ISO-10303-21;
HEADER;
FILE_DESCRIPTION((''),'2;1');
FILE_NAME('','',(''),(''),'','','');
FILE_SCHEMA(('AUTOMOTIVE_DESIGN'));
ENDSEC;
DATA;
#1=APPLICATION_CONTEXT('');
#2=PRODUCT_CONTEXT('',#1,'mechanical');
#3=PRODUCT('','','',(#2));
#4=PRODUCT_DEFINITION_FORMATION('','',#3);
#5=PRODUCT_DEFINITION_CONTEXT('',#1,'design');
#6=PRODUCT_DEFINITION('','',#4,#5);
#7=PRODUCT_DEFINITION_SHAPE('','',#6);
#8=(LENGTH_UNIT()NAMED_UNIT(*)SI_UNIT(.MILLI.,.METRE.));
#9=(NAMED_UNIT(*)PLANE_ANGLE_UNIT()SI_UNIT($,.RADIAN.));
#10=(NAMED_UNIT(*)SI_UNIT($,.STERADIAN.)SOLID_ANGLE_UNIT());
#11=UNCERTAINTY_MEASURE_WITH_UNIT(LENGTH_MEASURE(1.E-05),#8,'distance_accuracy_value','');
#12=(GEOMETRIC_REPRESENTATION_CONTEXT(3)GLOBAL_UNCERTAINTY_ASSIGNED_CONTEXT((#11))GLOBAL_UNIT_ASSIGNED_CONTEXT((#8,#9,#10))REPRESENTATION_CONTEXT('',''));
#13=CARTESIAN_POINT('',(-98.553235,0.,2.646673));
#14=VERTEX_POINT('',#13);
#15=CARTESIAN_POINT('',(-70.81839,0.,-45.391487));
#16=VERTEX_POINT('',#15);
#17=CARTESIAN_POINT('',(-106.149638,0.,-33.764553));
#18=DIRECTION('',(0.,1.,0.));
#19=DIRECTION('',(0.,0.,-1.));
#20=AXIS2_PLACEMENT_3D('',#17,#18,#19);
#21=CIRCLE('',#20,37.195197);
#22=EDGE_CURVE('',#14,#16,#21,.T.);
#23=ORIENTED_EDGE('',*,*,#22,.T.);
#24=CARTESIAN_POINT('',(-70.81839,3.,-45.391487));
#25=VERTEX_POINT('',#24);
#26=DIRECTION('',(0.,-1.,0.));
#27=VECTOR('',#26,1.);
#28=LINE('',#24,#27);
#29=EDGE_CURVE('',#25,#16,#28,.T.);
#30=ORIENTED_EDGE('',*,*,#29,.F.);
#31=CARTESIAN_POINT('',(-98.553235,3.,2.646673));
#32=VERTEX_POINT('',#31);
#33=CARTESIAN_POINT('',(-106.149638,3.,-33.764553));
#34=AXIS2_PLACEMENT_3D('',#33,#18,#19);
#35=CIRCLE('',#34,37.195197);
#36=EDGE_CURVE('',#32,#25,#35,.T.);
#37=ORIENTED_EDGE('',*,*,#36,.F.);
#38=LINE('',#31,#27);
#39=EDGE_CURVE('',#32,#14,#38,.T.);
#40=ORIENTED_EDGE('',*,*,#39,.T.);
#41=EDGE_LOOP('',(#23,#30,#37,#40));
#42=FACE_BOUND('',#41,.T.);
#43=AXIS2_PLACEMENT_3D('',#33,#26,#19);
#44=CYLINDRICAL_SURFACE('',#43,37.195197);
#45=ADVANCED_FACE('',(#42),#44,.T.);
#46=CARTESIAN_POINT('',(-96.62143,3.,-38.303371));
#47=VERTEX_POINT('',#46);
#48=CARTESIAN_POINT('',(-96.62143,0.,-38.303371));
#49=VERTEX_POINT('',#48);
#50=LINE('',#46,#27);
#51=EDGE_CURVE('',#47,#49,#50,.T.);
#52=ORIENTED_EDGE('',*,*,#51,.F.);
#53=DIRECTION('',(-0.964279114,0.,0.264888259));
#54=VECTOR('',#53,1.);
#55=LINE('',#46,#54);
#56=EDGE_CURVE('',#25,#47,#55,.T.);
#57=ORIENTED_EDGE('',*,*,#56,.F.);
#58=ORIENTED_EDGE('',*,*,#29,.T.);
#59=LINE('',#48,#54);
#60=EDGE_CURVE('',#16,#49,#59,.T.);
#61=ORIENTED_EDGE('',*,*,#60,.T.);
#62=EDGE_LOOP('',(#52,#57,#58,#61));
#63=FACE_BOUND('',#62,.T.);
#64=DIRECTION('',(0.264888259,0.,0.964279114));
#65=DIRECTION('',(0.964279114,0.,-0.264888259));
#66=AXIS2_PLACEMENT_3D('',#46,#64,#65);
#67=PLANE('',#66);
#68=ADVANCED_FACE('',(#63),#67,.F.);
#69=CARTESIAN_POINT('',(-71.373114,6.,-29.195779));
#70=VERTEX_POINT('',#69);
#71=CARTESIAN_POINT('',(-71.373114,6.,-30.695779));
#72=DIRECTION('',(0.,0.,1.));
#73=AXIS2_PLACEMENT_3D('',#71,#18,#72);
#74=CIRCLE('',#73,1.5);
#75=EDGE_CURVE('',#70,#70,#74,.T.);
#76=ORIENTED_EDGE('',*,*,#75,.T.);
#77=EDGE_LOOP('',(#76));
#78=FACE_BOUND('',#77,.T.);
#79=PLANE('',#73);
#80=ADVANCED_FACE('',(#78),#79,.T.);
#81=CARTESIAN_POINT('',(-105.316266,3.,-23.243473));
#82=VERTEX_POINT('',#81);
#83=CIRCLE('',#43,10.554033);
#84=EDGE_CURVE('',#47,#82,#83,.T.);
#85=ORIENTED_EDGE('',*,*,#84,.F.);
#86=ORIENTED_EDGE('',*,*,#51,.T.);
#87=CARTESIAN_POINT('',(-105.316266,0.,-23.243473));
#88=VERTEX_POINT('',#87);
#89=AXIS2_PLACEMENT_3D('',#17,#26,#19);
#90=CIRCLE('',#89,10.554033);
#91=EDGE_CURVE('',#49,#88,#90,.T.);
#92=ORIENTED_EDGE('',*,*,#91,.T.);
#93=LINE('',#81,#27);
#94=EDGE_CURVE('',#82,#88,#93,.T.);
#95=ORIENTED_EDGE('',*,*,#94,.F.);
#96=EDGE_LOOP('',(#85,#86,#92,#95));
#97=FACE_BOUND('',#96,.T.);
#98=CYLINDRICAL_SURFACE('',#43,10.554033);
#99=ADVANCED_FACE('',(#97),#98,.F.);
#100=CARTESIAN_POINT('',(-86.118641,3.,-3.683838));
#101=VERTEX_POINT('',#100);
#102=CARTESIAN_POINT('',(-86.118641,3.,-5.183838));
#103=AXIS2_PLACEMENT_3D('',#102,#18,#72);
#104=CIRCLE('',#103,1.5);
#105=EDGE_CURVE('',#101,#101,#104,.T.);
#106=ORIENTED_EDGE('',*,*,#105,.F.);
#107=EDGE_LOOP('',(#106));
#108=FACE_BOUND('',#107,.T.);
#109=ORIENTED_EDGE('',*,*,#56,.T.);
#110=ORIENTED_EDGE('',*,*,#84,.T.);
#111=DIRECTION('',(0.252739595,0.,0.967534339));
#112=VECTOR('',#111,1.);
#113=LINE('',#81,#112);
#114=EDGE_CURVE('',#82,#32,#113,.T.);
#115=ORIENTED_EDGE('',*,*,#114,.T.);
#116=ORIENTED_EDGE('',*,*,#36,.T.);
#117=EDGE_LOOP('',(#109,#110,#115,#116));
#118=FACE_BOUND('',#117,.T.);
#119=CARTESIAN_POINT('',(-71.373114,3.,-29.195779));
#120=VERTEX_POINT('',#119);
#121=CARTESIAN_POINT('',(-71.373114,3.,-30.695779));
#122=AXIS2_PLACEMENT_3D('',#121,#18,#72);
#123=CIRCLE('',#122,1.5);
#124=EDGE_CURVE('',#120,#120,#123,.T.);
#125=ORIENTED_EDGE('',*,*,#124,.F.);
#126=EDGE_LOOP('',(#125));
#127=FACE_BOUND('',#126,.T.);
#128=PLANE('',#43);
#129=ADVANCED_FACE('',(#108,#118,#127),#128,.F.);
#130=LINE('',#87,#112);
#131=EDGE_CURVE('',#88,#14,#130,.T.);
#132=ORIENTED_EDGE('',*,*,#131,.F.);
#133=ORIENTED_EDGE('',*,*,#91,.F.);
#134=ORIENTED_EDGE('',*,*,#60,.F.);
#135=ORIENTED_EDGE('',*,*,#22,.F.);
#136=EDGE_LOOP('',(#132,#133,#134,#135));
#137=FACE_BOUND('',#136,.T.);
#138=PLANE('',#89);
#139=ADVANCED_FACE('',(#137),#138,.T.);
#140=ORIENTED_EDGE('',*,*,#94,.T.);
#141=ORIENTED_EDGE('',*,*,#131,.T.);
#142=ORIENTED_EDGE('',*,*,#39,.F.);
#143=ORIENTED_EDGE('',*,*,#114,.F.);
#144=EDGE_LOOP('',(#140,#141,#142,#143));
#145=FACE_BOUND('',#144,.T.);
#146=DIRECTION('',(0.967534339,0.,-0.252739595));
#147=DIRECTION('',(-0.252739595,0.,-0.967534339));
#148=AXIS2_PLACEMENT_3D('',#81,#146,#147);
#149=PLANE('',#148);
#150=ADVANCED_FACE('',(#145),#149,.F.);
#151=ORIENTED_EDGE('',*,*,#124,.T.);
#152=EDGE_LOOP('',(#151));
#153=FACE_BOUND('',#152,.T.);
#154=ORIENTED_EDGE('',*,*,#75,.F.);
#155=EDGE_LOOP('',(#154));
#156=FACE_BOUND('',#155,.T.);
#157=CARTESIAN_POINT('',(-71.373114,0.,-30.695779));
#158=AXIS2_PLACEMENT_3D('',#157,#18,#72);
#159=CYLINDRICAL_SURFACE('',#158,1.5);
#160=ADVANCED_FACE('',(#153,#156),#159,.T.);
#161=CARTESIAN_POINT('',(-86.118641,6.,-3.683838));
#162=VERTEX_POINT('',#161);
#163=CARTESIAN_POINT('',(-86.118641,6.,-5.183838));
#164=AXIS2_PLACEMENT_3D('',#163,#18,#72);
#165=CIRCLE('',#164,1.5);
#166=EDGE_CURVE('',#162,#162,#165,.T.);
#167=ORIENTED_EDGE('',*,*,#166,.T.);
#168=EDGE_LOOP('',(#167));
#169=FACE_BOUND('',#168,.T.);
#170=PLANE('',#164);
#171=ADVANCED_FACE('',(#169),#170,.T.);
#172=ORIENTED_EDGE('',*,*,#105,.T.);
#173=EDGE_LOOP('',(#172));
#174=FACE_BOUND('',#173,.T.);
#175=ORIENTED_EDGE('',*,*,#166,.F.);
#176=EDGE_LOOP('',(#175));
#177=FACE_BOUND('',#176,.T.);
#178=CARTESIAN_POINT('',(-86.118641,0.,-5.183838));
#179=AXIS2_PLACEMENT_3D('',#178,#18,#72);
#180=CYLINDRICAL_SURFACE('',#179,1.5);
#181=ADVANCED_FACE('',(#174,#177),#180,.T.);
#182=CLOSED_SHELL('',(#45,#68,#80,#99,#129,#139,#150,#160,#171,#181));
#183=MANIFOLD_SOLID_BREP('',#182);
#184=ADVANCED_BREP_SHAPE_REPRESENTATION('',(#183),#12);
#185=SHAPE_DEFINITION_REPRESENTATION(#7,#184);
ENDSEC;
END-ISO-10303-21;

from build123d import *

# Parameters (mm, degrees)
SKETCH_1_R           = 1.5
EXTRUDE_1_DEPTH      = 3
EXTRUDE_2_DEPTH      = 3
EXTRUDE_2_DEPTH_BACK = 3
SKETCH_2_R           = 1.5


with BuildPart() as part:
    # 草图1 → 凸台-拉伸1 (new body)
    with BuildSketch(Plane(origin=(0, 0, 0), x_dir=(1, 0, 0), z_dir=(0, 1, 0))):
        with BuildLine():
            Line((-96.621430383, 38.303370954), (-70.818390196, 45.39148714))
            ThreePointArc((-70.818390196, 45.39148714), (-73.937652642, 15.166954083), (-98.553234864, -2.646672965))
            Line((-98.553234864, -2.646672965), (-105.316266275, 23.243473425))
            ThreePointArc((-105.316266275, 23.243473425), (-97.009577473, 28.487536095), (-96.621430383, 38.303370954))
        make_face()
        with Locations((-86.118640655, 5.183838281)):
            Circle(SKETCH_1_R, mode=Mode.SUBTRACT)
        with Locations((-71.373114162, 30.69577881)):
            Circle(SKETCH_1_R, mode=Mode.SUBTRACT)
    extrude(amount=EXTRUDE_1_DEPTH)

    # 草图2 → 凸台-拉伸2 (add, two sides: drawn at the far end of the back side and taken through both)
    with BuildSketch(Plane(origin=(0, 3, 0), x_dir=(1, 0, 0), z_dir=(0, 1, 0)).offset(-EXTRUDE_2_DEPTH_BACK)):
        with Locations((-71.373114162, 30.69577881)):
            Circle(SKETCH_2_R)
        with Locations((-86.118640655, 5.183838281)):
            Circle(SKETCH_2_R)
    extrude(amount=EXTRUDE_2_DEPTH + EXTRUDE_2_DEPTH_BACK)


solid = part.part
